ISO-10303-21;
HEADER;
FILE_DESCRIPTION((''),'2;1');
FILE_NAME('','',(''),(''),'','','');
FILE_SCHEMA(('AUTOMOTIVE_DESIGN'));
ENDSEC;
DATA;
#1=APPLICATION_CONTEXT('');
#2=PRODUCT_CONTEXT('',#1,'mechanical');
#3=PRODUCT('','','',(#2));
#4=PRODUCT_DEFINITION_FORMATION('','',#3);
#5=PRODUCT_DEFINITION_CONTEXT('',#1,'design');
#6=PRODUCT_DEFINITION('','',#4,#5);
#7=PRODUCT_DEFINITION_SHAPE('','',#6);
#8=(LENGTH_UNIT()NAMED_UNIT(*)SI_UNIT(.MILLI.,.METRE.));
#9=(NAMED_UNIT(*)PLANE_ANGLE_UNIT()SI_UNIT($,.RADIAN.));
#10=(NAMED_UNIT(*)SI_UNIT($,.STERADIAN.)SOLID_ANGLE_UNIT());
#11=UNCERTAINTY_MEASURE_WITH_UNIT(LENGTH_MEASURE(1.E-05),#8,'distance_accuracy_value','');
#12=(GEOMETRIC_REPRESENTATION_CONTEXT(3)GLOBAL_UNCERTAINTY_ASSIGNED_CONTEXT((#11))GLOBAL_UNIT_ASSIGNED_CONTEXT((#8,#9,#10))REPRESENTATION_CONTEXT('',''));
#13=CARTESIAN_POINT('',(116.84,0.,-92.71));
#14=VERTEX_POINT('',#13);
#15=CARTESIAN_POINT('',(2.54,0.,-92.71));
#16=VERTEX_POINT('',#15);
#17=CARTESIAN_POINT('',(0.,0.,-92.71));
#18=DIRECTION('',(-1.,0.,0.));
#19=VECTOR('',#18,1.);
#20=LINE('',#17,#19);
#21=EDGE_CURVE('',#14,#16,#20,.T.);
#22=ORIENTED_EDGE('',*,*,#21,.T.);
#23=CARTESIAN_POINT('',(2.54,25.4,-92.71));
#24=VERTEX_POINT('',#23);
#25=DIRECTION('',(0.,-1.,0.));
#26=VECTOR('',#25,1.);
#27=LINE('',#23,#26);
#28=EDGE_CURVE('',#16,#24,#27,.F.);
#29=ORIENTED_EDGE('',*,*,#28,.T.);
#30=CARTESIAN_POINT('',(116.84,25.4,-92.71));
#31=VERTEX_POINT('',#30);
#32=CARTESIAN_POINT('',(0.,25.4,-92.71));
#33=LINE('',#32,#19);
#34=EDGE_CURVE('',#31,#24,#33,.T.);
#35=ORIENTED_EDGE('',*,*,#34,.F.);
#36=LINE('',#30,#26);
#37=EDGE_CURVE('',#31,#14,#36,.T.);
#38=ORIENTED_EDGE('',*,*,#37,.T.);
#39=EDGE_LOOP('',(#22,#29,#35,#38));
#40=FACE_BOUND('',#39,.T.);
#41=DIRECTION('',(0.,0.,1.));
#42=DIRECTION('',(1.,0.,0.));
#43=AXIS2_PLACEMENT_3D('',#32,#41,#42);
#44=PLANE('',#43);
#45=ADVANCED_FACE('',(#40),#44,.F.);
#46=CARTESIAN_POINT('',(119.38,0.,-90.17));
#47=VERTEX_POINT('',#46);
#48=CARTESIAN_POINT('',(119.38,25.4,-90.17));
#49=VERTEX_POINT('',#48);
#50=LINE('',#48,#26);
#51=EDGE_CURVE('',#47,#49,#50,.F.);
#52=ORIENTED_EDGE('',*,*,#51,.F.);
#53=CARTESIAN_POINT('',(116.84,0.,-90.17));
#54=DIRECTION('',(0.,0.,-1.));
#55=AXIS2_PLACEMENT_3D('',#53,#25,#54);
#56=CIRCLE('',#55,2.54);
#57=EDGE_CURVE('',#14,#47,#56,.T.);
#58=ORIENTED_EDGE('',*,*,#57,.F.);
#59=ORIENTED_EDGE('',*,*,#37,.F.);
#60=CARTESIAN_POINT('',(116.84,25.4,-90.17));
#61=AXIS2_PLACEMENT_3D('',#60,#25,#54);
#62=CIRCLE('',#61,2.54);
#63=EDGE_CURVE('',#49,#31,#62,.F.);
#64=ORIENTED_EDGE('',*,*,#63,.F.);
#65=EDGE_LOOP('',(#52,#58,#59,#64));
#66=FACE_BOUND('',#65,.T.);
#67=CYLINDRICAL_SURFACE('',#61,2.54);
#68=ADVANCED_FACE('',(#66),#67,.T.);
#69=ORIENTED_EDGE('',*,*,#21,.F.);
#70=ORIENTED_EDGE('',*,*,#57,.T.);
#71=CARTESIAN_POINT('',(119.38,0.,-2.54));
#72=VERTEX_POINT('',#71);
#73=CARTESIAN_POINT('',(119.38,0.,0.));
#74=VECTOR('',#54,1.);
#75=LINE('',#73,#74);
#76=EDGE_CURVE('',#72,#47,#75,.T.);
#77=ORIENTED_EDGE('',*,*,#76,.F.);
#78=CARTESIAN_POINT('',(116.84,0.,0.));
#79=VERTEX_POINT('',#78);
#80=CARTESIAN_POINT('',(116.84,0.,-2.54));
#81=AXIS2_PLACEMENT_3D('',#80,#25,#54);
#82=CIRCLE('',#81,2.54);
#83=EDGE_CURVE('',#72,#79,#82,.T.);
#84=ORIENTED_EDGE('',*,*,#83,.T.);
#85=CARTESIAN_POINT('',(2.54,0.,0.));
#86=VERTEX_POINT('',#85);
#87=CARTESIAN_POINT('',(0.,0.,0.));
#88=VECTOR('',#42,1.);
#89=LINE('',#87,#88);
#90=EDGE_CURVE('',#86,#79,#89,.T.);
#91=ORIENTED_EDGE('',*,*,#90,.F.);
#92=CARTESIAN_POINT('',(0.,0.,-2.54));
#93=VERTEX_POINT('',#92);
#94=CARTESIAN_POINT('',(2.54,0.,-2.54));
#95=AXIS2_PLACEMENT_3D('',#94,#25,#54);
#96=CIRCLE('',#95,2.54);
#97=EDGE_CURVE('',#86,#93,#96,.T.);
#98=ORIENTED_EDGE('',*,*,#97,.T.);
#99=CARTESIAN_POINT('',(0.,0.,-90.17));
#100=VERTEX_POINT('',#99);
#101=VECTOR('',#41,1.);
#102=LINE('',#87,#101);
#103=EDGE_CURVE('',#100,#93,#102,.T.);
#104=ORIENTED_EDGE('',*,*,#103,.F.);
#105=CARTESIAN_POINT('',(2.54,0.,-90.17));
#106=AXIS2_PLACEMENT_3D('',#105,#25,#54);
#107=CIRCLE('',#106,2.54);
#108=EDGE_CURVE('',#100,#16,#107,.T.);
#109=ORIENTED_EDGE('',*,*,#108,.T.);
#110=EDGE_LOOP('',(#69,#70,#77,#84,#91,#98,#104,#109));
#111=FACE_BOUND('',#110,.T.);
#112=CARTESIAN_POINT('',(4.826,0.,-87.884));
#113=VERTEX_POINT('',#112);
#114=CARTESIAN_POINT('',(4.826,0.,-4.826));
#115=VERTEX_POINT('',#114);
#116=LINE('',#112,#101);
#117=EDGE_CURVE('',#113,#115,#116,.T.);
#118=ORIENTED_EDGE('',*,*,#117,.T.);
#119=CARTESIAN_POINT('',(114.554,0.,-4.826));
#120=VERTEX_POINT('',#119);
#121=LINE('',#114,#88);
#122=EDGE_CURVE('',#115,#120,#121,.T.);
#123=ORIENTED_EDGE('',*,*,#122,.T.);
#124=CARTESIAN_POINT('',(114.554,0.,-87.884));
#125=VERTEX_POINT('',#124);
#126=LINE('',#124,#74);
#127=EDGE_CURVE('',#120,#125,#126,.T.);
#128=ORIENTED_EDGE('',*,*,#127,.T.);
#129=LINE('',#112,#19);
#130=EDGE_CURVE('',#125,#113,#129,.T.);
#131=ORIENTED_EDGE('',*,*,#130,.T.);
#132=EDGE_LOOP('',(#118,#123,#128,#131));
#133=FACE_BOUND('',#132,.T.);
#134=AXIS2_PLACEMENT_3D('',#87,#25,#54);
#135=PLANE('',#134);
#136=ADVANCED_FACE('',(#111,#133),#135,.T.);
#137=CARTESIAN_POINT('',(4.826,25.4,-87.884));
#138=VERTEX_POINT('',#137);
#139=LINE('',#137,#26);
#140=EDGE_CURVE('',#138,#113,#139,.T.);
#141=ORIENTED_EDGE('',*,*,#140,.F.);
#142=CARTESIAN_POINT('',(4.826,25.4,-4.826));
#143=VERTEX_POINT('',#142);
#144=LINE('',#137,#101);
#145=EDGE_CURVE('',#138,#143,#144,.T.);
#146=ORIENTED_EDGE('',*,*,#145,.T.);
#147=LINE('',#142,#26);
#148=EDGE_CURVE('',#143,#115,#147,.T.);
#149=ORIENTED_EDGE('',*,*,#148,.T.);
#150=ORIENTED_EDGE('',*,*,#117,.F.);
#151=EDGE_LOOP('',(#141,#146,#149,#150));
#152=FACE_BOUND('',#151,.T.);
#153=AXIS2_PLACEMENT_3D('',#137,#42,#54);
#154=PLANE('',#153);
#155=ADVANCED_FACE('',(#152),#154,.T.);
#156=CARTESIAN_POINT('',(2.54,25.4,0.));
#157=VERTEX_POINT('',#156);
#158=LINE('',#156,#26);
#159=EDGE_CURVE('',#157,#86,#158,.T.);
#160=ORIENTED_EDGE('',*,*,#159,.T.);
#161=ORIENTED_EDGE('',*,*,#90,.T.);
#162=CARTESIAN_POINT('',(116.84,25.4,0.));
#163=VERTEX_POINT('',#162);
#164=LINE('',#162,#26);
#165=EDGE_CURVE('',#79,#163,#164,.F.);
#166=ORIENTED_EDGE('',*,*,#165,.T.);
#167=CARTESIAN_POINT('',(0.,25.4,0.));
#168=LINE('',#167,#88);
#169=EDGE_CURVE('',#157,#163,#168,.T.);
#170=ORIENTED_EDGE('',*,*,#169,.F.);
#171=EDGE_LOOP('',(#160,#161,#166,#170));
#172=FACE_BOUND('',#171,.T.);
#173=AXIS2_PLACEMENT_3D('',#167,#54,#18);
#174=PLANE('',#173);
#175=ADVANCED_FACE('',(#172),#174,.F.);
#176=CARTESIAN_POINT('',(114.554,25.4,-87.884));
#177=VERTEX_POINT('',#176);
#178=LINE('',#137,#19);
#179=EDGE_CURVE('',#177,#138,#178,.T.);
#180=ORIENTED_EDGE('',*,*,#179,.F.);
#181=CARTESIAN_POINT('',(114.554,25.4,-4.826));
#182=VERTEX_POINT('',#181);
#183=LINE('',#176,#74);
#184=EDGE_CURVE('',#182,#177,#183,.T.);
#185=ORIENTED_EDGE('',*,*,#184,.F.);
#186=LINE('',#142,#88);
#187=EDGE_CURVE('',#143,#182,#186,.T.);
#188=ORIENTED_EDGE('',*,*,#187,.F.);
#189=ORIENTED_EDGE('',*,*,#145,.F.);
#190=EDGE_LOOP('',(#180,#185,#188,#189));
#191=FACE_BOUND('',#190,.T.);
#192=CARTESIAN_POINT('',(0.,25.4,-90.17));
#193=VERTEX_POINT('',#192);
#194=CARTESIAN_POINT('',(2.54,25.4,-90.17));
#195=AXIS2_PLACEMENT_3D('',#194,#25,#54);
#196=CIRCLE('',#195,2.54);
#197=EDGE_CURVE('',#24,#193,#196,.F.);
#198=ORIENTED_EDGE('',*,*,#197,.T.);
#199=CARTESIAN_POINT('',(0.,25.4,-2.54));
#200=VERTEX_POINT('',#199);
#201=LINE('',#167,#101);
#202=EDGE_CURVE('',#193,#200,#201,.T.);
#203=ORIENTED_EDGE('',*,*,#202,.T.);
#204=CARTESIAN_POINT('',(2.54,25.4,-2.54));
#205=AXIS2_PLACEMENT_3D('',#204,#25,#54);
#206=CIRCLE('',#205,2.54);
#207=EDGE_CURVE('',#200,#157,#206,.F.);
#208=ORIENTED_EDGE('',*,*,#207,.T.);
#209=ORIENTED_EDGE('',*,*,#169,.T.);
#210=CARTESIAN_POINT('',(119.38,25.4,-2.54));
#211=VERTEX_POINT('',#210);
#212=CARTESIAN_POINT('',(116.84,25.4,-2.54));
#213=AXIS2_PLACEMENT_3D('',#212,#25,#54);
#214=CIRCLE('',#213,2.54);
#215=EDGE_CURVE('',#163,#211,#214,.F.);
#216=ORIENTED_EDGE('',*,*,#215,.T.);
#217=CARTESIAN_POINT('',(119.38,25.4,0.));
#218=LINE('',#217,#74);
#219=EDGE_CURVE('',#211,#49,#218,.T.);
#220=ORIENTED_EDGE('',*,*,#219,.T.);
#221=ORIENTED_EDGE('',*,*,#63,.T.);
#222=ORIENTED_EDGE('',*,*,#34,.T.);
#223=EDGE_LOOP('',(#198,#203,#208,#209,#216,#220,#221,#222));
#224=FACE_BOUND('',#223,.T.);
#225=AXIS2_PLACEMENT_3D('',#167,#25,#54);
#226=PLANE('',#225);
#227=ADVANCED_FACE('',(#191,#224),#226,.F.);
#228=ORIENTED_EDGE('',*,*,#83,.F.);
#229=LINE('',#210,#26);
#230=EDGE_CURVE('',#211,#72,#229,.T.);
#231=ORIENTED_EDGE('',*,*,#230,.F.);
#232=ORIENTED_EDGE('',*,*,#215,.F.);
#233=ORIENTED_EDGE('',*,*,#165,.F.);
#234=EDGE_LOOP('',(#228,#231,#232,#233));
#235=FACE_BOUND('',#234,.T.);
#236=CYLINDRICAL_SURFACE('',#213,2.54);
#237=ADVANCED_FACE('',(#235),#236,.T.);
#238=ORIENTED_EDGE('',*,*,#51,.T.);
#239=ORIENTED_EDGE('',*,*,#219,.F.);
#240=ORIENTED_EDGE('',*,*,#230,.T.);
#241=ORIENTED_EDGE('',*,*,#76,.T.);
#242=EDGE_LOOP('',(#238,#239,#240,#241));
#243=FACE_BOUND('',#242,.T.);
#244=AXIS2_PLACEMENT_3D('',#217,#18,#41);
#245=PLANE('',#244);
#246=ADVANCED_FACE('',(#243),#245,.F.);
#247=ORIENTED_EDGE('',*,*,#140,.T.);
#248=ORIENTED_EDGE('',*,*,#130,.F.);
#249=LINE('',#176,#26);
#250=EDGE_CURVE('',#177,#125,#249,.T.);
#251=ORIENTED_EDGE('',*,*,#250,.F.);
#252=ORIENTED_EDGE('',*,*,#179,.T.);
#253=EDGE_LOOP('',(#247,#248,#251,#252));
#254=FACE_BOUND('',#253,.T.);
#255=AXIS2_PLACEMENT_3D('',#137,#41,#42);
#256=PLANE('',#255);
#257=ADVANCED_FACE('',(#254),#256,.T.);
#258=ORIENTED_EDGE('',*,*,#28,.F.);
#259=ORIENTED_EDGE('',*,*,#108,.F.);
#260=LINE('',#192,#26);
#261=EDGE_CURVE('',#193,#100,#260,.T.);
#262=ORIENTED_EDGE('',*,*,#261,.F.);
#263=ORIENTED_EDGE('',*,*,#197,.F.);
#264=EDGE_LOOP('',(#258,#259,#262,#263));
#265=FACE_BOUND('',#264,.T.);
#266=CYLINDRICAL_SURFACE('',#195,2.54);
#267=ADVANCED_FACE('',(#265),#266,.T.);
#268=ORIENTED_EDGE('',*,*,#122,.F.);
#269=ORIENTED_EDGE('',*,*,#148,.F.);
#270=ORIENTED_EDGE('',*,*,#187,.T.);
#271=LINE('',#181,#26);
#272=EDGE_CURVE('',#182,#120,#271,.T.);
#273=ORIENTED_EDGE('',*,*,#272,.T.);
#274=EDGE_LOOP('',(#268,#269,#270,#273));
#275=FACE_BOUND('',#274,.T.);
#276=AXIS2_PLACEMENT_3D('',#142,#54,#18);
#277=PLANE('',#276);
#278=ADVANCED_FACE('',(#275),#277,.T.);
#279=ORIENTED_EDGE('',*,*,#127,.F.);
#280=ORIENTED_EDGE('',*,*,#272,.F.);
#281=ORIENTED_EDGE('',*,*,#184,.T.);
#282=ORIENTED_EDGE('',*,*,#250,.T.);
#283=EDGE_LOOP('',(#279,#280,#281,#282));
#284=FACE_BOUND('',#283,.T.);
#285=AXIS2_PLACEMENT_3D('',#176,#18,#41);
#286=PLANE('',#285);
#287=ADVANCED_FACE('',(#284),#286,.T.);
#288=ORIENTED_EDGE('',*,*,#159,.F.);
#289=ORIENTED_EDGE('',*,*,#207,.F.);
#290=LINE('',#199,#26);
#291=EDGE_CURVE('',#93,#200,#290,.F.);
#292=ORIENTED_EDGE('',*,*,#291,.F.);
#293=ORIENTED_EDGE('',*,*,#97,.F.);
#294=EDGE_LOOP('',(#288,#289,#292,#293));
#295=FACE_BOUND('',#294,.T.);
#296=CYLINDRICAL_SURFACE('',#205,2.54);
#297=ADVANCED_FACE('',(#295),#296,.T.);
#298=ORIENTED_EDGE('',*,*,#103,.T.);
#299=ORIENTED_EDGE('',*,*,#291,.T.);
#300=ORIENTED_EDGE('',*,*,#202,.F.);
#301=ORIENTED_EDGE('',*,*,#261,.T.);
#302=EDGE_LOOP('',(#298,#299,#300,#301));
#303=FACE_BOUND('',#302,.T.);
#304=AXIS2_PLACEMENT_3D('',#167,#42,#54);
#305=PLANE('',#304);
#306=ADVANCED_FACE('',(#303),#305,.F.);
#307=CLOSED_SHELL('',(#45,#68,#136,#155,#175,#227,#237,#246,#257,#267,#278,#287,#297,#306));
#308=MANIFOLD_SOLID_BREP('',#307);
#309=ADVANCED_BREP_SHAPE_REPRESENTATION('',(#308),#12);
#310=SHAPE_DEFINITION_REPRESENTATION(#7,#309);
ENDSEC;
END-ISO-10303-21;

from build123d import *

# Parameters (mm, degrees)
SKETCH2_W           = 119.38
SKETCH2_H           = 92.71
SKETCH2_W_2         = 109.728
SKETCH2_H_2         = 83.058
BOSS_EXTRUDE1_DEPTH = 25.4
FILLET1_R           = 2.54


with BuildPart() as part:
    # Sketch2 → Boss-Extrude1 (new body)
    with BuildSketch(Plane(origin=(0, 0, 0), x_dir=(1, 0, 0), z_dir=(0, 1, 0))):
        with Locations((59.69, 46.355)):
            Rectangle(SKETCH2_W, SKETCH2_H)
        with Locations((59.69, 46.355)):
            Rectangle(SKETCH2_W_2, SKETCH2_H_2, mode=Mode.SUBTRACT)
    extrude(amount=BOSS_EXTRUDE1_DEPTH)

    # Fillet1
    fillet1_edges = [part.edges().sort_by_distance(p)[0] for p in [
        (0, 12.7, -92.71),
        (119.38, 12.7, -92.71),
        (119.38, 12.7, 0),
        (0, 12.7, 0),
    ]]
    fillet(fillet1_edges, radius=FILLET1_R)


solid = part.part
